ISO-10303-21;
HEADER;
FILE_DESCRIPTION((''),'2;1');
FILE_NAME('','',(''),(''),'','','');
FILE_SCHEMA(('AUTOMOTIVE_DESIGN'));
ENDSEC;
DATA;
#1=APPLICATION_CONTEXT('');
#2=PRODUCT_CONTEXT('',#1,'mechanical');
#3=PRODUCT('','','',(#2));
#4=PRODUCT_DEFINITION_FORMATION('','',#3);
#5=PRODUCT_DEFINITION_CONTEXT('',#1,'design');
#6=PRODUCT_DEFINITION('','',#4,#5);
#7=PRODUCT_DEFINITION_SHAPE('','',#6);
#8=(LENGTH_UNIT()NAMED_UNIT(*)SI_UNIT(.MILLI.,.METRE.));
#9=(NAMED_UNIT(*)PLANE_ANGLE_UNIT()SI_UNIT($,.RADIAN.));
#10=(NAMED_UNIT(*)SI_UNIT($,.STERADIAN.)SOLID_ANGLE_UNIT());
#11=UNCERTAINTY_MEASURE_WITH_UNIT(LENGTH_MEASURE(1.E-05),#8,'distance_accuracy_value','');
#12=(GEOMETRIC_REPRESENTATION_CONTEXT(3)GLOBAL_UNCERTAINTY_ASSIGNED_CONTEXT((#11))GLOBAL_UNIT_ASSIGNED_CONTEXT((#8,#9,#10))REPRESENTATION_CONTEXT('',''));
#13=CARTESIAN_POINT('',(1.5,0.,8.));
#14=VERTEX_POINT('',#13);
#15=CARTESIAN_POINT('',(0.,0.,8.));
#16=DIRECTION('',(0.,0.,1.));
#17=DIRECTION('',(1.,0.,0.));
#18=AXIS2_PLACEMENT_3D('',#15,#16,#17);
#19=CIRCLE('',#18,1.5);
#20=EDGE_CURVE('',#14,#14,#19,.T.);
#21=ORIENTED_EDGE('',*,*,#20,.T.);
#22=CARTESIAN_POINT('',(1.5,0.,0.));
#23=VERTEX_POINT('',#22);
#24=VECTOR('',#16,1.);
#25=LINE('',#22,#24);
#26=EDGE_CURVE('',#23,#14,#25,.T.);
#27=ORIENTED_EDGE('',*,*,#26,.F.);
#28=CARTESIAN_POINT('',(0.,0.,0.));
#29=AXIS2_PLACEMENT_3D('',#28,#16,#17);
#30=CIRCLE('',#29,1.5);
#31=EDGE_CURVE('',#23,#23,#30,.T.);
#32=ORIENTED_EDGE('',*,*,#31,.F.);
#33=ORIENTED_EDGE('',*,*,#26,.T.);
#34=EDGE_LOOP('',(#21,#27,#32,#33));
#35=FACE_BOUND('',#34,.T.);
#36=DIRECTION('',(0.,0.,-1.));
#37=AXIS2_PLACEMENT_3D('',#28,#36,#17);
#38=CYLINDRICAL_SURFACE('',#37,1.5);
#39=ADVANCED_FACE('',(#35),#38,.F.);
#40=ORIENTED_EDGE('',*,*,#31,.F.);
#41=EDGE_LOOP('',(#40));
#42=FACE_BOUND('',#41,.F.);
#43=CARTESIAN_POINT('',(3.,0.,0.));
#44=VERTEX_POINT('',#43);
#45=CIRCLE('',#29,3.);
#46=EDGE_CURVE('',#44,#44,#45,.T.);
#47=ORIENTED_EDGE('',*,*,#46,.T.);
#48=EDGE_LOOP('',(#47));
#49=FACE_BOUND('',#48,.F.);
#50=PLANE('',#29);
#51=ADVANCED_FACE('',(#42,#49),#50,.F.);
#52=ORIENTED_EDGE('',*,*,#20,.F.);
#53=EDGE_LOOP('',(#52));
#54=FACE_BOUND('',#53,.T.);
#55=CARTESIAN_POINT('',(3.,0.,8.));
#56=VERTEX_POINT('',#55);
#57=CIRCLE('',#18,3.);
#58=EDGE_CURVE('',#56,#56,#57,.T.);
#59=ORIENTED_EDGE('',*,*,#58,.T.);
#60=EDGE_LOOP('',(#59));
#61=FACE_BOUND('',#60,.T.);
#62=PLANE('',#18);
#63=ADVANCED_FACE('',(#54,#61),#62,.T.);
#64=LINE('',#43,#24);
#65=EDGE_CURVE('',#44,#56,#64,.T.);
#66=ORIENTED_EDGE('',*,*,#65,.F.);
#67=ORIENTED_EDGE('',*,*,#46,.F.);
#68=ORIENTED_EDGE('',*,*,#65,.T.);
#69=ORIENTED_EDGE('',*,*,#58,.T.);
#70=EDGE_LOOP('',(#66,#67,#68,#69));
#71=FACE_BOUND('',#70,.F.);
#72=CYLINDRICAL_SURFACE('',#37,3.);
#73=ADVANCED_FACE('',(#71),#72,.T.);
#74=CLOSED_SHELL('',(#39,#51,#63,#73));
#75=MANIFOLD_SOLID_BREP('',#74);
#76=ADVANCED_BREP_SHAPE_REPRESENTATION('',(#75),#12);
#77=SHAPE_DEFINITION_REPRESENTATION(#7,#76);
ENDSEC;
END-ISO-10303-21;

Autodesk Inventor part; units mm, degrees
ref_plane "YZ Plane" through (0, 0, 0) normal (1, 0, 0) x (0, 1, 0)
ref_plane "XZ Plane" through (0, 0, 0) normal (0, 1, 0) x (-1, 0, 0)
ref_plane "XY Plane" through (0, 0, 0) normal (0, 0, 1) x (1, 0, 0)
sketch "スケッチ1" plane through (0, 0, 0) normal (0, 0, 1) x (1, 0, 0)
  circle A0 centre (0, 0) radius 3
  circle A1 centre (0, 0) radius 1.5
  dimension "d0" = 6
  dimension "d1" = 3
extrude "押し出し1" add sketch "スケッチ1" along normal blind 8
properties part number "RD011_ギア用ブッシュ"
